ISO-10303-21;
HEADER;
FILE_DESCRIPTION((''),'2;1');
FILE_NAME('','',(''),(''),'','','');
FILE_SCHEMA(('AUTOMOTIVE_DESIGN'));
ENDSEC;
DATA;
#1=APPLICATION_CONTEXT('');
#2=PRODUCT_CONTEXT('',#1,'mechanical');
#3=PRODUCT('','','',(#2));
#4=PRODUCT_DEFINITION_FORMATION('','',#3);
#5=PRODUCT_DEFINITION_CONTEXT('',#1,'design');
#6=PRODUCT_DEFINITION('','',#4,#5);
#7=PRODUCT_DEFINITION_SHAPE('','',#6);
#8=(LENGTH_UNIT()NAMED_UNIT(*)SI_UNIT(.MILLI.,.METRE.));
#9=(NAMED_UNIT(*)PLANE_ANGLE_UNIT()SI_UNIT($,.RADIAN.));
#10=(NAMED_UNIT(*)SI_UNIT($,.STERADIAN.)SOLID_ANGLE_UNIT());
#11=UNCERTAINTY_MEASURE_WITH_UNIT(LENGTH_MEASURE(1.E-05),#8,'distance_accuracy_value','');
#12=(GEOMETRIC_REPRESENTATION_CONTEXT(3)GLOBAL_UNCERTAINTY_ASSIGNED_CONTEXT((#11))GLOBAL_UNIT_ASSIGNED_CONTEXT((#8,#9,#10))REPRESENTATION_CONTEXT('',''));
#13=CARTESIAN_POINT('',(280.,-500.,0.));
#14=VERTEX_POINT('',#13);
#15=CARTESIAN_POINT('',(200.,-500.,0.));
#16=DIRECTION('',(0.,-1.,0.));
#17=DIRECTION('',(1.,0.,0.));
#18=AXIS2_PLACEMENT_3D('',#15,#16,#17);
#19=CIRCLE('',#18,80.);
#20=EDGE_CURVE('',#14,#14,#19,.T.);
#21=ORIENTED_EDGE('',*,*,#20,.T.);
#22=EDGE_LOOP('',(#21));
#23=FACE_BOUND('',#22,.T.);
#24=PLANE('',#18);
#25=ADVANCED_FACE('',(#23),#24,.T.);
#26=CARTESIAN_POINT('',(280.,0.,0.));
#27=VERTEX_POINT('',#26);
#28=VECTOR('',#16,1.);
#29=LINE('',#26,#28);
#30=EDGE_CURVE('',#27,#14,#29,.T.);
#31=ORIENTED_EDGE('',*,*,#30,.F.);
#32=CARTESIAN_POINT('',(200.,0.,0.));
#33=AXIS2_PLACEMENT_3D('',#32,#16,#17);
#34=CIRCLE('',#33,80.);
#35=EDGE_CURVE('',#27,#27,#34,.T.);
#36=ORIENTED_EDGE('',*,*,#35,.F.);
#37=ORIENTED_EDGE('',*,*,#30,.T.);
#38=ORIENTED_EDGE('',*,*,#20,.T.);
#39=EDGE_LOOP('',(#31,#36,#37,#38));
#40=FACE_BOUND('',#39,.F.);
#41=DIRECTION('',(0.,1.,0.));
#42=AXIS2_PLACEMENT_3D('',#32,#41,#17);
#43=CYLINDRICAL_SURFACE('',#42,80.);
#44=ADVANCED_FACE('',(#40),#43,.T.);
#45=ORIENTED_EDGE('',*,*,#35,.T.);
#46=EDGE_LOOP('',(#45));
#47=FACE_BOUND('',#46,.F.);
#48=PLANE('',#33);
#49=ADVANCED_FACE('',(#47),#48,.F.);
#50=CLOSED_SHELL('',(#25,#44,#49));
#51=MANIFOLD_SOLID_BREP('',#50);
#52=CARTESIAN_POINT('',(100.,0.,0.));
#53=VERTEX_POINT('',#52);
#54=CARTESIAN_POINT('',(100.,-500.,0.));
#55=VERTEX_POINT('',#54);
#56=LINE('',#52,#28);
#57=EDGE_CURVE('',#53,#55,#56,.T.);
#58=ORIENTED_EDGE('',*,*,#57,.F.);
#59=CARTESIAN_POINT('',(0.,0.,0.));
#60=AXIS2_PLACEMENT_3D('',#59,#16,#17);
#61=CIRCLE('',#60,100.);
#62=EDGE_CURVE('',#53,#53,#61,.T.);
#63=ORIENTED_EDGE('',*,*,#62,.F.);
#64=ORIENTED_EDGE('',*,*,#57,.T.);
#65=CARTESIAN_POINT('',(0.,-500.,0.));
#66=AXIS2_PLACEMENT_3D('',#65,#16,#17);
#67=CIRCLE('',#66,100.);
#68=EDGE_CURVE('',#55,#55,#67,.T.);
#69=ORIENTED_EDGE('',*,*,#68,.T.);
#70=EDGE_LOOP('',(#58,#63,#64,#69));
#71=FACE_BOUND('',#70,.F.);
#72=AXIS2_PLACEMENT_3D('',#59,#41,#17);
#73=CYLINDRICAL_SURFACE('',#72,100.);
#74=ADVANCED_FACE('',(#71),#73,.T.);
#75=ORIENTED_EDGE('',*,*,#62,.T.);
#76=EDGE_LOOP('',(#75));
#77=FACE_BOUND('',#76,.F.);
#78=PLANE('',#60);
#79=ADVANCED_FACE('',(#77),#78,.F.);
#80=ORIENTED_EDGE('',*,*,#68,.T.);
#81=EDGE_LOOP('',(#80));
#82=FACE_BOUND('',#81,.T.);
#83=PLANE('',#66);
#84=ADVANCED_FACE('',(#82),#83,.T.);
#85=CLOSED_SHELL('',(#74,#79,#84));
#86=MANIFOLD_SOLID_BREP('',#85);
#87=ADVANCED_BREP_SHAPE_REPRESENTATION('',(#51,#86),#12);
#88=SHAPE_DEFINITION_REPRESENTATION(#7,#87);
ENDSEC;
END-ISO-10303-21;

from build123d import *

# Parameters (mm, degrees)
F0_R     = 100
F1_R     = 80
F2_DEPTH = 500


with BuildPart() as f2:
    # F0 (on Front) + F1 (on Front) → F2 (new body)
    with BuildSketch(Plane.XZ):
        Circle(F0_R)
    with BuildSketch(Plane.XZ):
        with Locations((200, 0)):
            Circle(F1_R)
    extrude(amount=F2_DEPTH)


solid = f2.part
